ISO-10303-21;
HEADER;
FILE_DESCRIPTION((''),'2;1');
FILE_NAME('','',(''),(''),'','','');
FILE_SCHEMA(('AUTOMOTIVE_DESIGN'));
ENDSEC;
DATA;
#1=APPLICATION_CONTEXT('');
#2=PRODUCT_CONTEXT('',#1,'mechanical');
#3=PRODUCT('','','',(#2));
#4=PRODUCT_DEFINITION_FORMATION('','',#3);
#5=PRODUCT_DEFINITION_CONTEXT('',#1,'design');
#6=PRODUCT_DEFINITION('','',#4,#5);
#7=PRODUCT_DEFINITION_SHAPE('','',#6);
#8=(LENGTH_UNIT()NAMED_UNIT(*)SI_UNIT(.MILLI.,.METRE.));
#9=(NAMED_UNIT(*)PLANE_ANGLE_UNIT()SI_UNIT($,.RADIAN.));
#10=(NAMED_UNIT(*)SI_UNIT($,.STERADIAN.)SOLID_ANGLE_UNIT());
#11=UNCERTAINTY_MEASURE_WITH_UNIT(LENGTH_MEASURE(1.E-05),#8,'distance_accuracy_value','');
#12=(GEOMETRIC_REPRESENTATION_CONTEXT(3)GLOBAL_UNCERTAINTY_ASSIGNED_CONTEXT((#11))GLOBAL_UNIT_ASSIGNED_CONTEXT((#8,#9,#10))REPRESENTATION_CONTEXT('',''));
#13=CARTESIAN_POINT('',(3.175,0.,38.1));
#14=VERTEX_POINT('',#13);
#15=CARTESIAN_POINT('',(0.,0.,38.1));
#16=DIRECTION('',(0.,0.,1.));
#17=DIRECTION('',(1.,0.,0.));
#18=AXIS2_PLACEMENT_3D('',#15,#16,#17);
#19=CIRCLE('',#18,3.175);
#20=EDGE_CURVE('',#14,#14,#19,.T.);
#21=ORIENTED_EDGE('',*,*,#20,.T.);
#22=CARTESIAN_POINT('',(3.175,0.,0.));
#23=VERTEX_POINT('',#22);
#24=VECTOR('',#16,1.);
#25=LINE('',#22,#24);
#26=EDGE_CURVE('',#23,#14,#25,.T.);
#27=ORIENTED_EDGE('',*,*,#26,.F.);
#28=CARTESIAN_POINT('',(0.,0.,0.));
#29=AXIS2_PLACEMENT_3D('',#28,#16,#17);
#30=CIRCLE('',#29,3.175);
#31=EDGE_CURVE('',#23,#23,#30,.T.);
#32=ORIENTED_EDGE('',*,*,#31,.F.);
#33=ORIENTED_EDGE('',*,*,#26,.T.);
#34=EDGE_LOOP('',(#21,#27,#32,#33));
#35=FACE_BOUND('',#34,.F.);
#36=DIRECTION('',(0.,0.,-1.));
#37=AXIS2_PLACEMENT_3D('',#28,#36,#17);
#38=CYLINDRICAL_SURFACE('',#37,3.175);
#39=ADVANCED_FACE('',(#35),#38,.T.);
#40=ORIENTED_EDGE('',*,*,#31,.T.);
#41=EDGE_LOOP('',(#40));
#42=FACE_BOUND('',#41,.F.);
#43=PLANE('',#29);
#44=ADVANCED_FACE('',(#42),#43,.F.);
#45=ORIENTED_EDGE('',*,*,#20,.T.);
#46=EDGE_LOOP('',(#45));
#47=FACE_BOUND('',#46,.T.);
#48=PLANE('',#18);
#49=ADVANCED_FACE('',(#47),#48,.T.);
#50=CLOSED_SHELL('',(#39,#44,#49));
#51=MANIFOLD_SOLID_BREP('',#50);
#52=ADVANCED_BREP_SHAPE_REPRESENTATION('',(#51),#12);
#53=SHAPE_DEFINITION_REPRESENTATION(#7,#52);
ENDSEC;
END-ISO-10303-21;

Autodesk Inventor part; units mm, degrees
ref_plane "YZ Plane" through (0, 0, 0) normal (1, 0, 0) x (0, 1, 0)
ref_plane "XZ Plane" through (0, 0, 0) normal (0, 1, 0) x (-1, 0, 0)
ref_plane "XY Plane" through (0, 0, 0) normal (0, 0, 1) x (1, 0, 0)
sketch "Sketch1" plane through (0, 0, 0) normal (0, 0, 1) x (1, 0, 0)
  circle A0 centre (0, 0) radius 3.175
  dimension "d0" = 6.35
extrude "Extrusion1" add sketch "Sketch1" along normal blind 38.1
properties part number "1.5 in rod"
